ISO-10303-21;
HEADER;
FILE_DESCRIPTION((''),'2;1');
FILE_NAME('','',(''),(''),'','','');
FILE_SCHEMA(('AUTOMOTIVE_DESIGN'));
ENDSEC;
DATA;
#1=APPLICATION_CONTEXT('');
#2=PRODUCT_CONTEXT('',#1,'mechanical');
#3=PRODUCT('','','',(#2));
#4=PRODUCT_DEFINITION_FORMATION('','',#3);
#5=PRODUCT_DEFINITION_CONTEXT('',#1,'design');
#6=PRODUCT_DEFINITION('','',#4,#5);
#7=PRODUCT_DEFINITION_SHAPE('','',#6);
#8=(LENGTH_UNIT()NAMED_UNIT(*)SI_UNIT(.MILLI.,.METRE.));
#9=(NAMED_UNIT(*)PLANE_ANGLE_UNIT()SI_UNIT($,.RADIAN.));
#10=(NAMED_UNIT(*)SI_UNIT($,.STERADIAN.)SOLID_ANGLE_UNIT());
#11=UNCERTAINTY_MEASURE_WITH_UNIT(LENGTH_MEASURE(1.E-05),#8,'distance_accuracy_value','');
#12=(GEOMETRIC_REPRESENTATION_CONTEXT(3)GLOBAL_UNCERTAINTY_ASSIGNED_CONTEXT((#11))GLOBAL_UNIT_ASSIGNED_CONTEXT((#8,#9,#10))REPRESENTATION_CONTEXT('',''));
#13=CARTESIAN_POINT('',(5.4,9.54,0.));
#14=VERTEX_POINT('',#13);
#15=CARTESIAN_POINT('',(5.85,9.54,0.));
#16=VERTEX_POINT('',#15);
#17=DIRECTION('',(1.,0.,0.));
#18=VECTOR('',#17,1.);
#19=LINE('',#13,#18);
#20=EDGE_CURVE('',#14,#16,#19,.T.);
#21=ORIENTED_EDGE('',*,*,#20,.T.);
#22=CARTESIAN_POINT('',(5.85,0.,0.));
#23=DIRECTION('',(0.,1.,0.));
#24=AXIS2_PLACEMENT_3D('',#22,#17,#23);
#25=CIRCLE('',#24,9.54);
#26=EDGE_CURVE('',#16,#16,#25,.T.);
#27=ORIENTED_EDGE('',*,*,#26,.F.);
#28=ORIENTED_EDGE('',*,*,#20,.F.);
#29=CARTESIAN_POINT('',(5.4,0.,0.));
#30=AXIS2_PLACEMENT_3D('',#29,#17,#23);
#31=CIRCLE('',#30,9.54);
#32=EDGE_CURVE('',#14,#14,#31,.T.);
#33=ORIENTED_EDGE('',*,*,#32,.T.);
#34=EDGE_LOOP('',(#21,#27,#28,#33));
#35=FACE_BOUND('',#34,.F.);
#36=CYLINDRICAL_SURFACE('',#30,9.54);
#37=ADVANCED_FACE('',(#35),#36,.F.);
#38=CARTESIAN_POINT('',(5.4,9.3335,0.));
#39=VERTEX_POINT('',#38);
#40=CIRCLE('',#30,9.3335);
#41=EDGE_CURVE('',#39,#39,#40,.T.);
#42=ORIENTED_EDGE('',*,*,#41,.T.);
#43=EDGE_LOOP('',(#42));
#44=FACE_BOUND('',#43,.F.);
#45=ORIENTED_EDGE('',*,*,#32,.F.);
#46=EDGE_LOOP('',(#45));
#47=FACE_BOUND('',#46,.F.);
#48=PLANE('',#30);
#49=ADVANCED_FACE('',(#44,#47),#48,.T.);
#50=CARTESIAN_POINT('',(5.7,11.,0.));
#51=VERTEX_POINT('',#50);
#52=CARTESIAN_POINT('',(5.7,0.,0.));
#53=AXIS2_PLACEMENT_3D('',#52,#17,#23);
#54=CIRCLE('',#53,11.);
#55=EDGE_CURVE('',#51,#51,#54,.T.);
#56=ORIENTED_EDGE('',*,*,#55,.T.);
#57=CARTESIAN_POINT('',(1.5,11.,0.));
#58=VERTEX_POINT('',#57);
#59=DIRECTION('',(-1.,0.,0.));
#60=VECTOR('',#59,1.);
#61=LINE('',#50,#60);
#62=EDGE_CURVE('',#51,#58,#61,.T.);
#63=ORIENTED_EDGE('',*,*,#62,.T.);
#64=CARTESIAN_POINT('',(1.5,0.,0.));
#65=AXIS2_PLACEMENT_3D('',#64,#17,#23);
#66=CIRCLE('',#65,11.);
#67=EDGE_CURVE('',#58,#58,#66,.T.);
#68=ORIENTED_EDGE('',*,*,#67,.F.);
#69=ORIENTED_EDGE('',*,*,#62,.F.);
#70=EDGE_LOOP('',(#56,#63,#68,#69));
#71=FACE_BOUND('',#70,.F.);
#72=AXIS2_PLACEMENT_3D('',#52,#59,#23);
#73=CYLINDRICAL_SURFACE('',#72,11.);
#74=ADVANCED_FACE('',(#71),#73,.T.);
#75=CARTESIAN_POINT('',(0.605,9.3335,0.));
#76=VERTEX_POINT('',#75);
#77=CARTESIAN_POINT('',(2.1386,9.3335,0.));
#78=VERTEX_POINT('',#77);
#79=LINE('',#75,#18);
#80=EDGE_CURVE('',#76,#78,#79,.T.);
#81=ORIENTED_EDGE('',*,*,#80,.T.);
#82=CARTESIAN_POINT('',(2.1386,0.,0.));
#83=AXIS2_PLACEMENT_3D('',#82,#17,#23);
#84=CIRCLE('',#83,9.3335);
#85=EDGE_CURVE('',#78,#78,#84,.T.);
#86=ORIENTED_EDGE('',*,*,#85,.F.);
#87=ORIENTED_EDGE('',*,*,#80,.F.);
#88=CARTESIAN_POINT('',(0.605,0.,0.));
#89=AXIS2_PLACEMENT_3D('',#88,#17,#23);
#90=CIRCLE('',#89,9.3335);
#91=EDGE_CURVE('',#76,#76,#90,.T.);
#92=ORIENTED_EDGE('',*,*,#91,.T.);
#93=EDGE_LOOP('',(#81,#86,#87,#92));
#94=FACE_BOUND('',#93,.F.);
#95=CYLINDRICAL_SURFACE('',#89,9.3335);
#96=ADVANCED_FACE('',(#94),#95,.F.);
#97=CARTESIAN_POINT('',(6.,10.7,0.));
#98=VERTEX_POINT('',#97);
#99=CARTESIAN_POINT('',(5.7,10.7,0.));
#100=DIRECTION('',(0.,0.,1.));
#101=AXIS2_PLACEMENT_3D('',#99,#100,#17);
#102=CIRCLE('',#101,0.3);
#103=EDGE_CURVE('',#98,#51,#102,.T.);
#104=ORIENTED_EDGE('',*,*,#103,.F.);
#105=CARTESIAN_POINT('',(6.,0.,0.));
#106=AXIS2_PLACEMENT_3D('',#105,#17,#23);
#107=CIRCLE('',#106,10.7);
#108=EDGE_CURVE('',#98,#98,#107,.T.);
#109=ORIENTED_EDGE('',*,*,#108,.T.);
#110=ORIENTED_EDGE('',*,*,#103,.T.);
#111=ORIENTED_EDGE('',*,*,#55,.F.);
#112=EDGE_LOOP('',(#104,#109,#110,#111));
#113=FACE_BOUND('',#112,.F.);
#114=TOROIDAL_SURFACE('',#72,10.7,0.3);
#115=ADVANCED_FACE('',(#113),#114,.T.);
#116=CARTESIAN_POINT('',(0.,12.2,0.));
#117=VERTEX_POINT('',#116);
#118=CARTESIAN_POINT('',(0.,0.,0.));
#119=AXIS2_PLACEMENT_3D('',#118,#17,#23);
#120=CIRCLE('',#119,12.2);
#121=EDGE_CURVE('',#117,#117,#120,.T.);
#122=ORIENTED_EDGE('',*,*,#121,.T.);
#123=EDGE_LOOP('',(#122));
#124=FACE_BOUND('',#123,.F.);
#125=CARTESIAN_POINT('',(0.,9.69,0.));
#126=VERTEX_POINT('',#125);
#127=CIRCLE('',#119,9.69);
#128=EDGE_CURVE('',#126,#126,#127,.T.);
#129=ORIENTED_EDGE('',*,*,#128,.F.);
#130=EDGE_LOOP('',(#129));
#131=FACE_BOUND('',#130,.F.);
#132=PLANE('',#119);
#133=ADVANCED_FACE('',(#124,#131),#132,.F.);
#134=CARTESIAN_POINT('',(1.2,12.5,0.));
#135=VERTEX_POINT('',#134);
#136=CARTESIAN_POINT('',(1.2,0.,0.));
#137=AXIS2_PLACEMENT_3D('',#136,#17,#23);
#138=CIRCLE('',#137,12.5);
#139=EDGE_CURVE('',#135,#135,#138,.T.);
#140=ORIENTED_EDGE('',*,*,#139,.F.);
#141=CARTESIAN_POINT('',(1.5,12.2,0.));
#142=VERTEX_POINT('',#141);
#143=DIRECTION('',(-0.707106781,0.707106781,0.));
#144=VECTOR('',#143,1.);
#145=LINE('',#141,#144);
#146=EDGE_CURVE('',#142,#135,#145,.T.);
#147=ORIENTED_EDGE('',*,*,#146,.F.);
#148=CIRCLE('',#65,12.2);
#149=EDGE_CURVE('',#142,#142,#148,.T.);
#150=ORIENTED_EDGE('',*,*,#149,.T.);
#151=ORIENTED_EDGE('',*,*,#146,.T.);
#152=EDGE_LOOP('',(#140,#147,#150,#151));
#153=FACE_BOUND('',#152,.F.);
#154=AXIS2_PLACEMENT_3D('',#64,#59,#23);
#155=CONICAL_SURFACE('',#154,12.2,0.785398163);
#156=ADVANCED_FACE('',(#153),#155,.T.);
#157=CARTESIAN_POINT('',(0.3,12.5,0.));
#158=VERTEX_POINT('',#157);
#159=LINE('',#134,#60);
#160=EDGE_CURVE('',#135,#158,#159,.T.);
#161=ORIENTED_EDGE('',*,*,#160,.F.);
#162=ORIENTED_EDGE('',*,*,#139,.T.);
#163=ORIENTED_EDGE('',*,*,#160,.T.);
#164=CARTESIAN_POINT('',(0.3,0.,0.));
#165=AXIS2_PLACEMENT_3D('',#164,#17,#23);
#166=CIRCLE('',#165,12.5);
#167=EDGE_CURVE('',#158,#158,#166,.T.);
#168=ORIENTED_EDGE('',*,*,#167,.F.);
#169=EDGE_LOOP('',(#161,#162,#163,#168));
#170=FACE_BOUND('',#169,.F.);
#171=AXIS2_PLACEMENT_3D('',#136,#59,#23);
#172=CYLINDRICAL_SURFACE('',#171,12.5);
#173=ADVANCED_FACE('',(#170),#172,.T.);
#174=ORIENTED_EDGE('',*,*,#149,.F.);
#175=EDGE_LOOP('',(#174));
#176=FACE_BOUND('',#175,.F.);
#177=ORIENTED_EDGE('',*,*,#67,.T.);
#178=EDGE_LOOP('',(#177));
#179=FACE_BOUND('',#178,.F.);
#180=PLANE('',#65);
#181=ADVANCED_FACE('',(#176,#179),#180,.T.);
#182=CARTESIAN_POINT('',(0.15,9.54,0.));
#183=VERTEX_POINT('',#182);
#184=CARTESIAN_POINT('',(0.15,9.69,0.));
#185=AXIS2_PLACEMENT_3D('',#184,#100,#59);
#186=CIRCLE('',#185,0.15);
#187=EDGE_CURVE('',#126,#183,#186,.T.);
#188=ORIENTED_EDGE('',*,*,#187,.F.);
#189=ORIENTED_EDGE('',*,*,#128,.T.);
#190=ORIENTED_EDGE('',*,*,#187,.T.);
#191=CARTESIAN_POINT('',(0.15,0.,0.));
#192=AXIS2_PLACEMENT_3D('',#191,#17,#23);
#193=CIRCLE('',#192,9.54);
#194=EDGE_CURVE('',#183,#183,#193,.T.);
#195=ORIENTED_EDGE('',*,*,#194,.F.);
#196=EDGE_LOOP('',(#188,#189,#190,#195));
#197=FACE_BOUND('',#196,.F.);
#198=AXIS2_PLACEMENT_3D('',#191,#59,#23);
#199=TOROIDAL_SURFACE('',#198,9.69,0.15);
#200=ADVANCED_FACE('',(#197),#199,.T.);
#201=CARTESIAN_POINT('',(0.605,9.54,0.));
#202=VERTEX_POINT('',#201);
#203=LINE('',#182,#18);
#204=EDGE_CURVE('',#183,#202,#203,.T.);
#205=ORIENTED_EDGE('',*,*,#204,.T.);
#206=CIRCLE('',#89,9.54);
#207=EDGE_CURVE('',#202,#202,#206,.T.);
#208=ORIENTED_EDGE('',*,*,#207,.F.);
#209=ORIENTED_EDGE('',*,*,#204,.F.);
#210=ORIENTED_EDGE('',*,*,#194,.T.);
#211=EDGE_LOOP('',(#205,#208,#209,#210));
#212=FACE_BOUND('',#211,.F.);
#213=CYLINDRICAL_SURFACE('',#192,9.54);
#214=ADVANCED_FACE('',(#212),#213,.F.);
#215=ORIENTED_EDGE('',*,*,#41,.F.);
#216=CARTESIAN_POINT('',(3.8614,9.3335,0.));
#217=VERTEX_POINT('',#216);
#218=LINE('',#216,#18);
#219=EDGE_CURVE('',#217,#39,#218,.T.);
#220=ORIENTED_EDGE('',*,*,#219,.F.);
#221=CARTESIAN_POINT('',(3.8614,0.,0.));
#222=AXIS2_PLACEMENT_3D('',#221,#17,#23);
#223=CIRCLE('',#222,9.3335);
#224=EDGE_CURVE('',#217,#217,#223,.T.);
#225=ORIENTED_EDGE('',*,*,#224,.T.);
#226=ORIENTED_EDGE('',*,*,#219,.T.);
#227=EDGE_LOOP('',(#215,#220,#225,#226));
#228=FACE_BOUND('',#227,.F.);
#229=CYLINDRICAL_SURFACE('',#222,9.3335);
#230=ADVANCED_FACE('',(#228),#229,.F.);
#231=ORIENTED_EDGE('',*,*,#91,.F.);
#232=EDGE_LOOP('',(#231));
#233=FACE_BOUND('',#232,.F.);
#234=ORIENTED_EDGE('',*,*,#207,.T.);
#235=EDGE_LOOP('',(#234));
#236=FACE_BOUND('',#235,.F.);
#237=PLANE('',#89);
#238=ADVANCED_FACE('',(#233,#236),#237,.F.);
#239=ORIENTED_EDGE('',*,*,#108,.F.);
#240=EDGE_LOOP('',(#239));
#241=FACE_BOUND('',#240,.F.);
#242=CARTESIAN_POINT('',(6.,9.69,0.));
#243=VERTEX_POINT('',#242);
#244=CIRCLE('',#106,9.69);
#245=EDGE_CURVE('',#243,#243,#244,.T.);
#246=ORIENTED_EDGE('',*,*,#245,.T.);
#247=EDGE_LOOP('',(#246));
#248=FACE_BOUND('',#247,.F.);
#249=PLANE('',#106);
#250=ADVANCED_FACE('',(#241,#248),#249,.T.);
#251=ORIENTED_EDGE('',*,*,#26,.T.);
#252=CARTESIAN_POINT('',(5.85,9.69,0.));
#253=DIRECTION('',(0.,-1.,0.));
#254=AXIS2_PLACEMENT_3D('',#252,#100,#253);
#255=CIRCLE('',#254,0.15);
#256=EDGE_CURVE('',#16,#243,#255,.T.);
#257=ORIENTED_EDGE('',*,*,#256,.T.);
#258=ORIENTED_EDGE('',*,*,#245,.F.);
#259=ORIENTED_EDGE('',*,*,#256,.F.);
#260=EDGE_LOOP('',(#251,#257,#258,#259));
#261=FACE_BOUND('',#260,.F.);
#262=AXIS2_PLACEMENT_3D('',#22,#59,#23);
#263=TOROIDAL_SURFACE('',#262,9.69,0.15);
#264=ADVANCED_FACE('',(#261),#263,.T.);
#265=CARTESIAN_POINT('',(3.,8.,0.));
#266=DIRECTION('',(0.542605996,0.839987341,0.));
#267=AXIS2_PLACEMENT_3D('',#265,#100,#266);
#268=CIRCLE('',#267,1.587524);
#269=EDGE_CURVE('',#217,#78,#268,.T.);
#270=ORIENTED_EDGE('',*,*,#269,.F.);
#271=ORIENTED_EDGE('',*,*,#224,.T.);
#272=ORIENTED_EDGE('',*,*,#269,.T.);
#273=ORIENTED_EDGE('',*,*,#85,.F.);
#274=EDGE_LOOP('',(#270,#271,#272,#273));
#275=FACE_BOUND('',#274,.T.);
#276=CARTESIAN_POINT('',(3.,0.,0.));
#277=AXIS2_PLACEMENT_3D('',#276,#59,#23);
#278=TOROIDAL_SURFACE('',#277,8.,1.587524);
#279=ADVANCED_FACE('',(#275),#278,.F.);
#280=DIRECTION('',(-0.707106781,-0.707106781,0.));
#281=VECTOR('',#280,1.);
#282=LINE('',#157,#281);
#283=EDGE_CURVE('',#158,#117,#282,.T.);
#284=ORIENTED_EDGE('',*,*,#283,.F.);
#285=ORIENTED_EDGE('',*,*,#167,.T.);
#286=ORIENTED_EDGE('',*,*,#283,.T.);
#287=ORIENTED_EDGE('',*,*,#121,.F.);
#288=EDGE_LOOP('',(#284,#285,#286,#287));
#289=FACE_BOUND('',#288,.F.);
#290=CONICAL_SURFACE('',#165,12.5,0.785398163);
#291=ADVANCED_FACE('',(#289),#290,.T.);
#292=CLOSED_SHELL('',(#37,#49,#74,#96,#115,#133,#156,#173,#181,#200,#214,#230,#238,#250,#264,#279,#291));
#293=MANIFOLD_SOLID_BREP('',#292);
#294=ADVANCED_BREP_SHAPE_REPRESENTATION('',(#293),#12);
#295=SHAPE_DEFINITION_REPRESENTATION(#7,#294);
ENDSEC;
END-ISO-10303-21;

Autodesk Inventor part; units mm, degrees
sketch "Sketch_3" plane through (0, 0, 0) normal (0, 0, 1) x (1, 0, 0)
  line L0 (5.7, 0) -> (0, 0)
  line L1 (0, 12.2) -> (0, 9.69)
  arc A0 (0, 9.69) -> (0.15, 9.54) centre (0.15, 9.69) ccw
  line L2 (0.15, 9.54) -> (0.605, 9.54)
  line L3 (0.605, 9.54) -> (0.605, 9.3335)
  line L4 (0.605, 9.3335) -> (2.1386, 9.3335)
  arc A1 (3.8614, 9.3335) -> (2.1386, 9.3335) centre (3, 8) ccw
  line L5 (3.8614, 9.3335) -> (5.4, 9.3335)
  line L6 (5.4, 9.3335) -> (5.4, 9.54)
  line L7 (5.4, 9.54) -> (5.85, 9.54)
  arc A2 (5.85, 9.54) -> (6, 9.69) centre (5.85, 9.69) ccw
  line L8 (6, 9.69) -> (6, 10.7)
  arc A3 (6, 10.7) -> (5.7, 11) centre (5.7, 10.7) ccw
  line L9 (5.7, 11) -> (1.5, 11)
  line L10 (1.5, 11) -> (1.5, 12.2)
  line L11 (1.5, 12.2) -> (1.2, 12.5)
  line L12 (1.2, 12.5) -> (0.3, 12.5)
  line L13 (0.3, 12.5) -> (0, 12.2)
revolve "Revolution1" add sketch "Sketch_3" angle 360 about axis through (5.7, 0, 0) along (1, 0, 0)
ref_plane "1_XY" through (3, 0, 0) normal (1, 0, 0) x (0, 0, -1)
ref_plane "1_YZ" through (3, 0, 0) normal (0, 0, -1) x (0, 1, 0)
ref_plane "1_ZX" through (3, 0, 0) normal (0, 1, 0) x (1, 0, 0)
properties part number "RF-2210X2HH_or"
